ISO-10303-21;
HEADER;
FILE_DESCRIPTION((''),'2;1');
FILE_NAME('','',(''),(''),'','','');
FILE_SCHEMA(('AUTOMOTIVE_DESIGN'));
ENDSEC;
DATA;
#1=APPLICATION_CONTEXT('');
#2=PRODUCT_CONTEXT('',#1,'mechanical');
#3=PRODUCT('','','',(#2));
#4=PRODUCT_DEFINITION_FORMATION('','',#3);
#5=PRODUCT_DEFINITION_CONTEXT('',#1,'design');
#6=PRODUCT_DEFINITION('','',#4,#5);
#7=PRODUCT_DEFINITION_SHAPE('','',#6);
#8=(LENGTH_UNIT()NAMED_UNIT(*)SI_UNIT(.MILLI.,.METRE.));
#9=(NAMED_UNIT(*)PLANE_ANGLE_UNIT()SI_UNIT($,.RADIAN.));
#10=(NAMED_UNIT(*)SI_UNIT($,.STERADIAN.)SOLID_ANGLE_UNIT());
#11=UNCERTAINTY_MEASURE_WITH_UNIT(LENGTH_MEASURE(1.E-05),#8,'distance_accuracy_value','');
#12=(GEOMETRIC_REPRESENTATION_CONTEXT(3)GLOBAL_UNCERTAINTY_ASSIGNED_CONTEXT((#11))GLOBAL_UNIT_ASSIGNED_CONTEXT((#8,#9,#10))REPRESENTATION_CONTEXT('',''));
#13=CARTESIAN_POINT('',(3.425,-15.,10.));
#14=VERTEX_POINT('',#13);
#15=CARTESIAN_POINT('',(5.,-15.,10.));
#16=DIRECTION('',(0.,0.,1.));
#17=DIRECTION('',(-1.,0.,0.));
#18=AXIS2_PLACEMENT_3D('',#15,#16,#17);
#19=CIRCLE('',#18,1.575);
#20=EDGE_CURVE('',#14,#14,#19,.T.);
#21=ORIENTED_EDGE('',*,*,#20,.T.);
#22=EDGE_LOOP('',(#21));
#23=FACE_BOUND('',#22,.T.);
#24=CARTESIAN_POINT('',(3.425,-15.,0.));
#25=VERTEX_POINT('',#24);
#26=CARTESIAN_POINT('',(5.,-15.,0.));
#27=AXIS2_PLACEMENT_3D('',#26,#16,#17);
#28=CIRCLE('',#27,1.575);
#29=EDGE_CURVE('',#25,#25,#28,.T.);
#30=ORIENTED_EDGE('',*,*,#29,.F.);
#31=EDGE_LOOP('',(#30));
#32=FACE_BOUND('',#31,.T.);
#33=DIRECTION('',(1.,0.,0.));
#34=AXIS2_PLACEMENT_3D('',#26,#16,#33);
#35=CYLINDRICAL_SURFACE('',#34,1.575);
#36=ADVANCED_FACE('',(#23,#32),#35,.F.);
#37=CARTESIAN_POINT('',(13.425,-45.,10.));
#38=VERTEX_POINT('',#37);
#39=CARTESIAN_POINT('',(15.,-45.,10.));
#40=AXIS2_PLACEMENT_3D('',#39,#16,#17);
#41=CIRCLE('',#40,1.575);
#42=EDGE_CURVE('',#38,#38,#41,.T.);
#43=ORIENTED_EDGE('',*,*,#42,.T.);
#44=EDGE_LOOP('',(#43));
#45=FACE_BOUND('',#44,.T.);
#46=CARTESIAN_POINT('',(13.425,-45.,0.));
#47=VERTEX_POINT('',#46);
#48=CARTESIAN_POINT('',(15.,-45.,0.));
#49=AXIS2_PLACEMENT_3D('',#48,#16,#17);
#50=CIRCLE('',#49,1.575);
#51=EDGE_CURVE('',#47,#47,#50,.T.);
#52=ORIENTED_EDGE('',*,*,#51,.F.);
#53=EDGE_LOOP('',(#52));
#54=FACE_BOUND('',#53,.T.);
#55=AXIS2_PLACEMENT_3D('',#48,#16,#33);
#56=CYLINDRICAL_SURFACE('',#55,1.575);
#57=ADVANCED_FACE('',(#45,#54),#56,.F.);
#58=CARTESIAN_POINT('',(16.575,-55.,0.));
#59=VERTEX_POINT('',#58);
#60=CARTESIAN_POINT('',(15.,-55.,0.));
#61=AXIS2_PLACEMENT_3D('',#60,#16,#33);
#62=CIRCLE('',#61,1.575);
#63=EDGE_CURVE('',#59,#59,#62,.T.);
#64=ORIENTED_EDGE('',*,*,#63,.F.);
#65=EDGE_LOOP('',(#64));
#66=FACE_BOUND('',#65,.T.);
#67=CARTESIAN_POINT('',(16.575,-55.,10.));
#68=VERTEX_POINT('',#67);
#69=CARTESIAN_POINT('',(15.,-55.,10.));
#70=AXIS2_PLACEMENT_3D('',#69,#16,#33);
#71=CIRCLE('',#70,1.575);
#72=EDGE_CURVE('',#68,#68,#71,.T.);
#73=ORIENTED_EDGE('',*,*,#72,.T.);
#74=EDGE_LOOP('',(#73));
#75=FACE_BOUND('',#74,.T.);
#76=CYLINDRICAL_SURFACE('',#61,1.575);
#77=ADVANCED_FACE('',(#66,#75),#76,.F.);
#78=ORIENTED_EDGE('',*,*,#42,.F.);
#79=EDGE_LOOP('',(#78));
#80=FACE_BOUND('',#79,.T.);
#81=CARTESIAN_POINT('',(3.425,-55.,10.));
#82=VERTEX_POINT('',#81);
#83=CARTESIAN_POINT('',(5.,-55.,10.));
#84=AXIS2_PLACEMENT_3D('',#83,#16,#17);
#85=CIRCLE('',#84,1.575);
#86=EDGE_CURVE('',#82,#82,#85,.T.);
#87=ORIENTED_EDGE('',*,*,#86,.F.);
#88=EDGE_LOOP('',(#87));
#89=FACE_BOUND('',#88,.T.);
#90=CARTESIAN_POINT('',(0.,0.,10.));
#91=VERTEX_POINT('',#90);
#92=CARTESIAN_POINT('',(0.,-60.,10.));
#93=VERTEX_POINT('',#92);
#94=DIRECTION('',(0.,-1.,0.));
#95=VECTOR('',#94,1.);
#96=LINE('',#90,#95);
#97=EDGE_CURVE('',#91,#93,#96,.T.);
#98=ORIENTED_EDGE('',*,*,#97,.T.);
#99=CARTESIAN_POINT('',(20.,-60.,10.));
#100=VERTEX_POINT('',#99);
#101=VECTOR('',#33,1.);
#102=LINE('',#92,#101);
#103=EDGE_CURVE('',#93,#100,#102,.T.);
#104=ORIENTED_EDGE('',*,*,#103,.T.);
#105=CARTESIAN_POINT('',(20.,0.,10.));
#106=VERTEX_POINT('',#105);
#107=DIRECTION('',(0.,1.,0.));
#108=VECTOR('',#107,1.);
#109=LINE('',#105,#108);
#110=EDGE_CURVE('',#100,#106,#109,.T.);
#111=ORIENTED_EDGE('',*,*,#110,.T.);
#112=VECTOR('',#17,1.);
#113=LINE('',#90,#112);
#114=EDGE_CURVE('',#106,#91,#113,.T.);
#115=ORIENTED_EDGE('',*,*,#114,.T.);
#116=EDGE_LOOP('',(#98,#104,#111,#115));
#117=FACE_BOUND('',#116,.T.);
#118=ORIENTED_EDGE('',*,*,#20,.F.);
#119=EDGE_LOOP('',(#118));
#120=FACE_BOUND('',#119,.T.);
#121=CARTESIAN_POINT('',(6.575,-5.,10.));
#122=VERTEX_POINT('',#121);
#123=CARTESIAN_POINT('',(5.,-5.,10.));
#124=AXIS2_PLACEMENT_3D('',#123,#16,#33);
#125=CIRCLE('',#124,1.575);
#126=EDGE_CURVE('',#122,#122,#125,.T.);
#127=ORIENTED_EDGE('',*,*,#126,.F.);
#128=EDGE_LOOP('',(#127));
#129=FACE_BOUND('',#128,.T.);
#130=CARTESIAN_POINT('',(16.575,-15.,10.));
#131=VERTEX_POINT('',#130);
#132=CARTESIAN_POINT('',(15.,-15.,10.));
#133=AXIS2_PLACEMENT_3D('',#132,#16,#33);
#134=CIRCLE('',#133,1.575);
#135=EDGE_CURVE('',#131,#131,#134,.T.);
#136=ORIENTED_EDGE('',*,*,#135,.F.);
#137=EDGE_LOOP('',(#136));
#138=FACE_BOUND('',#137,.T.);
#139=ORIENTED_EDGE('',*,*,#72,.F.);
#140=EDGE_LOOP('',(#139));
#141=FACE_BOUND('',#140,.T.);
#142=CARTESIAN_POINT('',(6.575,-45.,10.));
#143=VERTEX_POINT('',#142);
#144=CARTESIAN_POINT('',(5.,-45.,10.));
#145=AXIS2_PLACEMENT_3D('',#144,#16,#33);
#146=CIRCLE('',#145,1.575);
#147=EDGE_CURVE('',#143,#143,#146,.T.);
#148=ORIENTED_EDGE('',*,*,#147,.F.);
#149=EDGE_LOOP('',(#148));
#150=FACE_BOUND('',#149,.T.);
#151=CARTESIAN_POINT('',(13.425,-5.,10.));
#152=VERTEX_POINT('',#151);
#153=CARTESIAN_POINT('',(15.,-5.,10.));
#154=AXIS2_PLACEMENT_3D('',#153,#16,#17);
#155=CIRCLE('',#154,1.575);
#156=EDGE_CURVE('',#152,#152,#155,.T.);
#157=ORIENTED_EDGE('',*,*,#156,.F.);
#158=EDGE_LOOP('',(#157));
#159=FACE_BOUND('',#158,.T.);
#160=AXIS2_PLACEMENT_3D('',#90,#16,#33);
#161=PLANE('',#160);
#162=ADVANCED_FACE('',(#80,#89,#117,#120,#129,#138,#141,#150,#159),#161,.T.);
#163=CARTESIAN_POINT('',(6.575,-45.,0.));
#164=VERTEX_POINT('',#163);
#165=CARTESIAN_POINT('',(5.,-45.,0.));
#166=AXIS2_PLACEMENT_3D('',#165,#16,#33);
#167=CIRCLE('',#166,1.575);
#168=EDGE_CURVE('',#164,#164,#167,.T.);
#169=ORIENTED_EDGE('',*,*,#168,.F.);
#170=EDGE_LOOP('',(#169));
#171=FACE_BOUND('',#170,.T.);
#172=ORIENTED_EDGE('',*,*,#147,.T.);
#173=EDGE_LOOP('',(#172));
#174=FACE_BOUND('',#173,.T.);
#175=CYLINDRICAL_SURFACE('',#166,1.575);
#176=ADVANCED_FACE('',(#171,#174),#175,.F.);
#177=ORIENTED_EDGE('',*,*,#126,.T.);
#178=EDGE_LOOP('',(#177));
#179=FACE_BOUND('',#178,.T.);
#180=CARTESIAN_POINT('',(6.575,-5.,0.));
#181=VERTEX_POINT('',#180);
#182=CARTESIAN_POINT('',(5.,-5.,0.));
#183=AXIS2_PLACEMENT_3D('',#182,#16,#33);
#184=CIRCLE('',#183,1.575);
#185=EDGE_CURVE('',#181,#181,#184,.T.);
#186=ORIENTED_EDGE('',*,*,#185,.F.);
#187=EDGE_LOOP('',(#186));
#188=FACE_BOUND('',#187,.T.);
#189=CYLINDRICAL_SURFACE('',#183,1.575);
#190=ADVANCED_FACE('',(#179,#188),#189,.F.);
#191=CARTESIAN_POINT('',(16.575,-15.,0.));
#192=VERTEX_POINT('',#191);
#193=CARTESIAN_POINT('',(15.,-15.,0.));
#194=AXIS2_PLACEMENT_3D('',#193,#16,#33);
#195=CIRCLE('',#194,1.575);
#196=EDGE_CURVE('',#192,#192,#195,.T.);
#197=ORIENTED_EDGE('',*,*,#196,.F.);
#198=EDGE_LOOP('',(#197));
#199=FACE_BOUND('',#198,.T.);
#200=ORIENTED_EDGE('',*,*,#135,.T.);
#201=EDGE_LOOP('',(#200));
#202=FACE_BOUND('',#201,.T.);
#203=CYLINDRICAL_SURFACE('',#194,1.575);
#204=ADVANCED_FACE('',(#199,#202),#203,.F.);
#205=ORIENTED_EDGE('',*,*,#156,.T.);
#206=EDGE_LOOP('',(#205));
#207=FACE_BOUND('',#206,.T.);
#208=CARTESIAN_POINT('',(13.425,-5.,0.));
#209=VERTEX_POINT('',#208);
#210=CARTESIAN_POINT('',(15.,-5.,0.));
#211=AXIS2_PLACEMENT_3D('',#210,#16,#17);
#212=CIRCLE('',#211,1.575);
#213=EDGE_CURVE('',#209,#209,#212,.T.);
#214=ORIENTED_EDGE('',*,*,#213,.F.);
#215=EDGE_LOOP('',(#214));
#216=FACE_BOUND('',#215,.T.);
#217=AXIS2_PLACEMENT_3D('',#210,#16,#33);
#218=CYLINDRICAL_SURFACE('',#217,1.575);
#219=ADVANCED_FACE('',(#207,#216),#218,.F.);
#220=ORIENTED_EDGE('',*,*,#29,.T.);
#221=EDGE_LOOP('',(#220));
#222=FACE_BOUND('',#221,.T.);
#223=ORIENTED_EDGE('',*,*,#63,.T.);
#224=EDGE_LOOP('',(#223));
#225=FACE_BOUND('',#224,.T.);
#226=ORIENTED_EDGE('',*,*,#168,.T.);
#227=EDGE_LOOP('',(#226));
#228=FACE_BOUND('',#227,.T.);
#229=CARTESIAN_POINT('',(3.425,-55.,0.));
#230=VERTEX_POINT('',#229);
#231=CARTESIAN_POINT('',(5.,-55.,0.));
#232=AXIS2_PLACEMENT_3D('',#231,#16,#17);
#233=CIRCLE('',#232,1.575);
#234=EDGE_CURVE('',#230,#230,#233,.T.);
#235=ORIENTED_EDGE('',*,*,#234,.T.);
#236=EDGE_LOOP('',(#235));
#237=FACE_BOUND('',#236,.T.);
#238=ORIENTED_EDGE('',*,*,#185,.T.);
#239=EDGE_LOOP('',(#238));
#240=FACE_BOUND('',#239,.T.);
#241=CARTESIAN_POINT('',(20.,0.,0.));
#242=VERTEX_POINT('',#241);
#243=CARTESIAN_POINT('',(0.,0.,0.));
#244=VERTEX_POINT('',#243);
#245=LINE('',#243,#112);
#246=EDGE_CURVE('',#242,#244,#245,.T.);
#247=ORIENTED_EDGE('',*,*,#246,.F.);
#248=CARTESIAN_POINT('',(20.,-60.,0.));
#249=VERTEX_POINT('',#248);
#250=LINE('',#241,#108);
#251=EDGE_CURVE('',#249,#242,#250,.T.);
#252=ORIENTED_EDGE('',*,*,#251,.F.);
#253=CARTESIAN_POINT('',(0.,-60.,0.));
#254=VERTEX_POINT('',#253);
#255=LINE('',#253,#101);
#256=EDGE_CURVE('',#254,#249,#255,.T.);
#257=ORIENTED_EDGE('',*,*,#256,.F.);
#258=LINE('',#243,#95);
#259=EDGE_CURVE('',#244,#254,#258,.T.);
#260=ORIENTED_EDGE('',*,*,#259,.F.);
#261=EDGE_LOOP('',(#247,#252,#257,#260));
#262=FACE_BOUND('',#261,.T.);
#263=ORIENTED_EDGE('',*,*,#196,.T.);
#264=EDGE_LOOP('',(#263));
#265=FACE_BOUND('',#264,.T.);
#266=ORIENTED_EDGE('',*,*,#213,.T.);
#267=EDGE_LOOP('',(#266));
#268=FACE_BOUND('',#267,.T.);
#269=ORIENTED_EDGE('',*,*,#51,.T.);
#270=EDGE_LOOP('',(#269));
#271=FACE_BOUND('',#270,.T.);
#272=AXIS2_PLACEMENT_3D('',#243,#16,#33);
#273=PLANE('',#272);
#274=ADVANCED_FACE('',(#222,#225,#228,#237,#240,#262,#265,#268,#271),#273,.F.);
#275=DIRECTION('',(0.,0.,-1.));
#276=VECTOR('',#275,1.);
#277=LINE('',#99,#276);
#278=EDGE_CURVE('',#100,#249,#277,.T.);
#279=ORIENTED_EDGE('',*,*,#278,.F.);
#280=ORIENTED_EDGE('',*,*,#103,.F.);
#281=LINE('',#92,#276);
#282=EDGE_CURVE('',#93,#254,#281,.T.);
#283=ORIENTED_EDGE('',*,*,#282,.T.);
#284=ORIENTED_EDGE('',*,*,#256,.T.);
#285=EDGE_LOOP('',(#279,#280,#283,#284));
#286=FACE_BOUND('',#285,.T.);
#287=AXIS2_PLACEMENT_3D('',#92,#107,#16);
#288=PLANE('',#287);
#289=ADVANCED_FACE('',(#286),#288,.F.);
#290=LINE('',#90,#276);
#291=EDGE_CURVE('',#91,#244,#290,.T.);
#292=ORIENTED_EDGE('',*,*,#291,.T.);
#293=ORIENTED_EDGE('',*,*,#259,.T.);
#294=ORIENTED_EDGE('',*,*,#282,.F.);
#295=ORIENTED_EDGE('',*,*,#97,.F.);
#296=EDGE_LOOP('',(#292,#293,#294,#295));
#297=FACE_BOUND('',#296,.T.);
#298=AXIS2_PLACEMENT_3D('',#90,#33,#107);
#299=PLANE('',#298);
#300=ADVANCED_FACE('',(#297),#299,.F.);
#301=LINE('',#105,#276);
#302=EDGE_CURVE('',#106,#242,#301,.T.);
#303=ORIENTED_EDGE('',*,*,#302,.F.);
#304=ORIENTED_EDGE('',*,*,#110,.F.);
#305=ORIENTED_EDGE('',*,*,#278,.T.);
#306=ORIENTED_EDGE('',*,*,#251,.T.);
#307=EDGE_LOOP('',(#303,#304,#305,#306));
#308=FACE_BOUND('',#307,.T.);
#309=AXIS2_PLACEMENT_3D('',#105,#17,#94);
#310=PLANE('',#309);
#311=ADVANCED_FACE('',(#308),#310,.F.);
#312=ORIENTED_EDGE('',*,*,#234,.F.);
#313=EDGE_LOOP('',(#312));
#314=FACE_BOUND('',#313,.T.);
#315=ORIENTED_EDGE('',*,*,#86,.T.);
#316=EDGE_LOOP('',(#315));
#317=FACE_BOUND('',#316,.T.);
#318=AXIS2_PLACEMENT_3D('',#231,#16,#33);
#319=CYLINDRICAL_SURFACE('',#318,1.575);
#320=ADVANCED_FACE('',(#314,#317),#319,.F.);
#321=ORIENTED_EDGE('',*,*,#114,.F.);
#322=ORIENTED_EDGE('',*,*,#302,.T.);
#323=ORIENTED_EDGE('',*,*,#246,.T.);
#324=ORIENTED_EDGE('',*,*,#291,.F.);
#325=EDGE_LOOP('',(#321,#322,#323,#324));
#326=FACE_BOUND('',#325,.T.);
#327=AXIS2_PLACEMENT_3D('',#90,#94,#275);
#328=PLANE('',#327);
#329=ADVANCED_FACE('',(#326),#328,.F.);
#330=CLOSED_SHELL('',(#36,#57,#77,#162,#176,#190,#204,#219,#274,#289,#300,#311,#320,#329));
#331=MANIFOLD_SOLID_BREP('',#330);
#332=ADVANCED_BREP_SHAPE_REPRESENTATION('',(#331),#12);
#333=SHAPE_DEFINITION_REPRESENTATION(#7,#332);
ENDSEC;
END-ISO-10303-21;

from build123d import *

# Parameters (mm, degrees)
SKETCH_1_W          = 20
SKETCH_1_H          = 60
EXTRUDE_1_DEPTH     = 10
SKETCH_2_R          = 1.575
CUT_EXTRUDE_1_DEPTH = 65.031242374


with BuildPart() as part:
    # 草图1 → 凸台-拉伸1 (new body)
    with BuildSketch(Plane.XY):
        with Locations((10, -30)):
            Rectangle(SKETCH_1_W, SKETCH_1_H)
    extrude(amount=EXTRUDE_1_DEPTH)

    # 草图2 → 切除-拉伸1 (cut, through all)
    with BuildSketch(Plane.XY.offset(10)):
        with Locations((5, -5)):
            Circle(SKETCH_2_R)
        with Locations(Location((15, -5, 0), (0, 0, 180))):
            Circle(SKETCH_2_R)
        with Locations((15, -15)):
            Circle(SKETCH_2_R)
        with Locations(Location((5, -15, 0), (0, 0, 180))):
            Circle(SKETCH_2_R)
        with Locations((5, -45)):
            Circle(SKETCH_2_R)
        with Locations(Location((15, -45, 0), (0, 0, 180))):
            Circle(SKETCH_2_R)
        with Locations((15, -55)):
            Circle(SKETCH_2_R)
        with Locations(Location((5, -55, 0), (0, 0, 180))):
            Circle(SKETCH_2_R)
    extrude(amount=-CUT_EXTRUDE_1_DEPTH, mode=Mode.SUBTRACT)


solid = part.part
